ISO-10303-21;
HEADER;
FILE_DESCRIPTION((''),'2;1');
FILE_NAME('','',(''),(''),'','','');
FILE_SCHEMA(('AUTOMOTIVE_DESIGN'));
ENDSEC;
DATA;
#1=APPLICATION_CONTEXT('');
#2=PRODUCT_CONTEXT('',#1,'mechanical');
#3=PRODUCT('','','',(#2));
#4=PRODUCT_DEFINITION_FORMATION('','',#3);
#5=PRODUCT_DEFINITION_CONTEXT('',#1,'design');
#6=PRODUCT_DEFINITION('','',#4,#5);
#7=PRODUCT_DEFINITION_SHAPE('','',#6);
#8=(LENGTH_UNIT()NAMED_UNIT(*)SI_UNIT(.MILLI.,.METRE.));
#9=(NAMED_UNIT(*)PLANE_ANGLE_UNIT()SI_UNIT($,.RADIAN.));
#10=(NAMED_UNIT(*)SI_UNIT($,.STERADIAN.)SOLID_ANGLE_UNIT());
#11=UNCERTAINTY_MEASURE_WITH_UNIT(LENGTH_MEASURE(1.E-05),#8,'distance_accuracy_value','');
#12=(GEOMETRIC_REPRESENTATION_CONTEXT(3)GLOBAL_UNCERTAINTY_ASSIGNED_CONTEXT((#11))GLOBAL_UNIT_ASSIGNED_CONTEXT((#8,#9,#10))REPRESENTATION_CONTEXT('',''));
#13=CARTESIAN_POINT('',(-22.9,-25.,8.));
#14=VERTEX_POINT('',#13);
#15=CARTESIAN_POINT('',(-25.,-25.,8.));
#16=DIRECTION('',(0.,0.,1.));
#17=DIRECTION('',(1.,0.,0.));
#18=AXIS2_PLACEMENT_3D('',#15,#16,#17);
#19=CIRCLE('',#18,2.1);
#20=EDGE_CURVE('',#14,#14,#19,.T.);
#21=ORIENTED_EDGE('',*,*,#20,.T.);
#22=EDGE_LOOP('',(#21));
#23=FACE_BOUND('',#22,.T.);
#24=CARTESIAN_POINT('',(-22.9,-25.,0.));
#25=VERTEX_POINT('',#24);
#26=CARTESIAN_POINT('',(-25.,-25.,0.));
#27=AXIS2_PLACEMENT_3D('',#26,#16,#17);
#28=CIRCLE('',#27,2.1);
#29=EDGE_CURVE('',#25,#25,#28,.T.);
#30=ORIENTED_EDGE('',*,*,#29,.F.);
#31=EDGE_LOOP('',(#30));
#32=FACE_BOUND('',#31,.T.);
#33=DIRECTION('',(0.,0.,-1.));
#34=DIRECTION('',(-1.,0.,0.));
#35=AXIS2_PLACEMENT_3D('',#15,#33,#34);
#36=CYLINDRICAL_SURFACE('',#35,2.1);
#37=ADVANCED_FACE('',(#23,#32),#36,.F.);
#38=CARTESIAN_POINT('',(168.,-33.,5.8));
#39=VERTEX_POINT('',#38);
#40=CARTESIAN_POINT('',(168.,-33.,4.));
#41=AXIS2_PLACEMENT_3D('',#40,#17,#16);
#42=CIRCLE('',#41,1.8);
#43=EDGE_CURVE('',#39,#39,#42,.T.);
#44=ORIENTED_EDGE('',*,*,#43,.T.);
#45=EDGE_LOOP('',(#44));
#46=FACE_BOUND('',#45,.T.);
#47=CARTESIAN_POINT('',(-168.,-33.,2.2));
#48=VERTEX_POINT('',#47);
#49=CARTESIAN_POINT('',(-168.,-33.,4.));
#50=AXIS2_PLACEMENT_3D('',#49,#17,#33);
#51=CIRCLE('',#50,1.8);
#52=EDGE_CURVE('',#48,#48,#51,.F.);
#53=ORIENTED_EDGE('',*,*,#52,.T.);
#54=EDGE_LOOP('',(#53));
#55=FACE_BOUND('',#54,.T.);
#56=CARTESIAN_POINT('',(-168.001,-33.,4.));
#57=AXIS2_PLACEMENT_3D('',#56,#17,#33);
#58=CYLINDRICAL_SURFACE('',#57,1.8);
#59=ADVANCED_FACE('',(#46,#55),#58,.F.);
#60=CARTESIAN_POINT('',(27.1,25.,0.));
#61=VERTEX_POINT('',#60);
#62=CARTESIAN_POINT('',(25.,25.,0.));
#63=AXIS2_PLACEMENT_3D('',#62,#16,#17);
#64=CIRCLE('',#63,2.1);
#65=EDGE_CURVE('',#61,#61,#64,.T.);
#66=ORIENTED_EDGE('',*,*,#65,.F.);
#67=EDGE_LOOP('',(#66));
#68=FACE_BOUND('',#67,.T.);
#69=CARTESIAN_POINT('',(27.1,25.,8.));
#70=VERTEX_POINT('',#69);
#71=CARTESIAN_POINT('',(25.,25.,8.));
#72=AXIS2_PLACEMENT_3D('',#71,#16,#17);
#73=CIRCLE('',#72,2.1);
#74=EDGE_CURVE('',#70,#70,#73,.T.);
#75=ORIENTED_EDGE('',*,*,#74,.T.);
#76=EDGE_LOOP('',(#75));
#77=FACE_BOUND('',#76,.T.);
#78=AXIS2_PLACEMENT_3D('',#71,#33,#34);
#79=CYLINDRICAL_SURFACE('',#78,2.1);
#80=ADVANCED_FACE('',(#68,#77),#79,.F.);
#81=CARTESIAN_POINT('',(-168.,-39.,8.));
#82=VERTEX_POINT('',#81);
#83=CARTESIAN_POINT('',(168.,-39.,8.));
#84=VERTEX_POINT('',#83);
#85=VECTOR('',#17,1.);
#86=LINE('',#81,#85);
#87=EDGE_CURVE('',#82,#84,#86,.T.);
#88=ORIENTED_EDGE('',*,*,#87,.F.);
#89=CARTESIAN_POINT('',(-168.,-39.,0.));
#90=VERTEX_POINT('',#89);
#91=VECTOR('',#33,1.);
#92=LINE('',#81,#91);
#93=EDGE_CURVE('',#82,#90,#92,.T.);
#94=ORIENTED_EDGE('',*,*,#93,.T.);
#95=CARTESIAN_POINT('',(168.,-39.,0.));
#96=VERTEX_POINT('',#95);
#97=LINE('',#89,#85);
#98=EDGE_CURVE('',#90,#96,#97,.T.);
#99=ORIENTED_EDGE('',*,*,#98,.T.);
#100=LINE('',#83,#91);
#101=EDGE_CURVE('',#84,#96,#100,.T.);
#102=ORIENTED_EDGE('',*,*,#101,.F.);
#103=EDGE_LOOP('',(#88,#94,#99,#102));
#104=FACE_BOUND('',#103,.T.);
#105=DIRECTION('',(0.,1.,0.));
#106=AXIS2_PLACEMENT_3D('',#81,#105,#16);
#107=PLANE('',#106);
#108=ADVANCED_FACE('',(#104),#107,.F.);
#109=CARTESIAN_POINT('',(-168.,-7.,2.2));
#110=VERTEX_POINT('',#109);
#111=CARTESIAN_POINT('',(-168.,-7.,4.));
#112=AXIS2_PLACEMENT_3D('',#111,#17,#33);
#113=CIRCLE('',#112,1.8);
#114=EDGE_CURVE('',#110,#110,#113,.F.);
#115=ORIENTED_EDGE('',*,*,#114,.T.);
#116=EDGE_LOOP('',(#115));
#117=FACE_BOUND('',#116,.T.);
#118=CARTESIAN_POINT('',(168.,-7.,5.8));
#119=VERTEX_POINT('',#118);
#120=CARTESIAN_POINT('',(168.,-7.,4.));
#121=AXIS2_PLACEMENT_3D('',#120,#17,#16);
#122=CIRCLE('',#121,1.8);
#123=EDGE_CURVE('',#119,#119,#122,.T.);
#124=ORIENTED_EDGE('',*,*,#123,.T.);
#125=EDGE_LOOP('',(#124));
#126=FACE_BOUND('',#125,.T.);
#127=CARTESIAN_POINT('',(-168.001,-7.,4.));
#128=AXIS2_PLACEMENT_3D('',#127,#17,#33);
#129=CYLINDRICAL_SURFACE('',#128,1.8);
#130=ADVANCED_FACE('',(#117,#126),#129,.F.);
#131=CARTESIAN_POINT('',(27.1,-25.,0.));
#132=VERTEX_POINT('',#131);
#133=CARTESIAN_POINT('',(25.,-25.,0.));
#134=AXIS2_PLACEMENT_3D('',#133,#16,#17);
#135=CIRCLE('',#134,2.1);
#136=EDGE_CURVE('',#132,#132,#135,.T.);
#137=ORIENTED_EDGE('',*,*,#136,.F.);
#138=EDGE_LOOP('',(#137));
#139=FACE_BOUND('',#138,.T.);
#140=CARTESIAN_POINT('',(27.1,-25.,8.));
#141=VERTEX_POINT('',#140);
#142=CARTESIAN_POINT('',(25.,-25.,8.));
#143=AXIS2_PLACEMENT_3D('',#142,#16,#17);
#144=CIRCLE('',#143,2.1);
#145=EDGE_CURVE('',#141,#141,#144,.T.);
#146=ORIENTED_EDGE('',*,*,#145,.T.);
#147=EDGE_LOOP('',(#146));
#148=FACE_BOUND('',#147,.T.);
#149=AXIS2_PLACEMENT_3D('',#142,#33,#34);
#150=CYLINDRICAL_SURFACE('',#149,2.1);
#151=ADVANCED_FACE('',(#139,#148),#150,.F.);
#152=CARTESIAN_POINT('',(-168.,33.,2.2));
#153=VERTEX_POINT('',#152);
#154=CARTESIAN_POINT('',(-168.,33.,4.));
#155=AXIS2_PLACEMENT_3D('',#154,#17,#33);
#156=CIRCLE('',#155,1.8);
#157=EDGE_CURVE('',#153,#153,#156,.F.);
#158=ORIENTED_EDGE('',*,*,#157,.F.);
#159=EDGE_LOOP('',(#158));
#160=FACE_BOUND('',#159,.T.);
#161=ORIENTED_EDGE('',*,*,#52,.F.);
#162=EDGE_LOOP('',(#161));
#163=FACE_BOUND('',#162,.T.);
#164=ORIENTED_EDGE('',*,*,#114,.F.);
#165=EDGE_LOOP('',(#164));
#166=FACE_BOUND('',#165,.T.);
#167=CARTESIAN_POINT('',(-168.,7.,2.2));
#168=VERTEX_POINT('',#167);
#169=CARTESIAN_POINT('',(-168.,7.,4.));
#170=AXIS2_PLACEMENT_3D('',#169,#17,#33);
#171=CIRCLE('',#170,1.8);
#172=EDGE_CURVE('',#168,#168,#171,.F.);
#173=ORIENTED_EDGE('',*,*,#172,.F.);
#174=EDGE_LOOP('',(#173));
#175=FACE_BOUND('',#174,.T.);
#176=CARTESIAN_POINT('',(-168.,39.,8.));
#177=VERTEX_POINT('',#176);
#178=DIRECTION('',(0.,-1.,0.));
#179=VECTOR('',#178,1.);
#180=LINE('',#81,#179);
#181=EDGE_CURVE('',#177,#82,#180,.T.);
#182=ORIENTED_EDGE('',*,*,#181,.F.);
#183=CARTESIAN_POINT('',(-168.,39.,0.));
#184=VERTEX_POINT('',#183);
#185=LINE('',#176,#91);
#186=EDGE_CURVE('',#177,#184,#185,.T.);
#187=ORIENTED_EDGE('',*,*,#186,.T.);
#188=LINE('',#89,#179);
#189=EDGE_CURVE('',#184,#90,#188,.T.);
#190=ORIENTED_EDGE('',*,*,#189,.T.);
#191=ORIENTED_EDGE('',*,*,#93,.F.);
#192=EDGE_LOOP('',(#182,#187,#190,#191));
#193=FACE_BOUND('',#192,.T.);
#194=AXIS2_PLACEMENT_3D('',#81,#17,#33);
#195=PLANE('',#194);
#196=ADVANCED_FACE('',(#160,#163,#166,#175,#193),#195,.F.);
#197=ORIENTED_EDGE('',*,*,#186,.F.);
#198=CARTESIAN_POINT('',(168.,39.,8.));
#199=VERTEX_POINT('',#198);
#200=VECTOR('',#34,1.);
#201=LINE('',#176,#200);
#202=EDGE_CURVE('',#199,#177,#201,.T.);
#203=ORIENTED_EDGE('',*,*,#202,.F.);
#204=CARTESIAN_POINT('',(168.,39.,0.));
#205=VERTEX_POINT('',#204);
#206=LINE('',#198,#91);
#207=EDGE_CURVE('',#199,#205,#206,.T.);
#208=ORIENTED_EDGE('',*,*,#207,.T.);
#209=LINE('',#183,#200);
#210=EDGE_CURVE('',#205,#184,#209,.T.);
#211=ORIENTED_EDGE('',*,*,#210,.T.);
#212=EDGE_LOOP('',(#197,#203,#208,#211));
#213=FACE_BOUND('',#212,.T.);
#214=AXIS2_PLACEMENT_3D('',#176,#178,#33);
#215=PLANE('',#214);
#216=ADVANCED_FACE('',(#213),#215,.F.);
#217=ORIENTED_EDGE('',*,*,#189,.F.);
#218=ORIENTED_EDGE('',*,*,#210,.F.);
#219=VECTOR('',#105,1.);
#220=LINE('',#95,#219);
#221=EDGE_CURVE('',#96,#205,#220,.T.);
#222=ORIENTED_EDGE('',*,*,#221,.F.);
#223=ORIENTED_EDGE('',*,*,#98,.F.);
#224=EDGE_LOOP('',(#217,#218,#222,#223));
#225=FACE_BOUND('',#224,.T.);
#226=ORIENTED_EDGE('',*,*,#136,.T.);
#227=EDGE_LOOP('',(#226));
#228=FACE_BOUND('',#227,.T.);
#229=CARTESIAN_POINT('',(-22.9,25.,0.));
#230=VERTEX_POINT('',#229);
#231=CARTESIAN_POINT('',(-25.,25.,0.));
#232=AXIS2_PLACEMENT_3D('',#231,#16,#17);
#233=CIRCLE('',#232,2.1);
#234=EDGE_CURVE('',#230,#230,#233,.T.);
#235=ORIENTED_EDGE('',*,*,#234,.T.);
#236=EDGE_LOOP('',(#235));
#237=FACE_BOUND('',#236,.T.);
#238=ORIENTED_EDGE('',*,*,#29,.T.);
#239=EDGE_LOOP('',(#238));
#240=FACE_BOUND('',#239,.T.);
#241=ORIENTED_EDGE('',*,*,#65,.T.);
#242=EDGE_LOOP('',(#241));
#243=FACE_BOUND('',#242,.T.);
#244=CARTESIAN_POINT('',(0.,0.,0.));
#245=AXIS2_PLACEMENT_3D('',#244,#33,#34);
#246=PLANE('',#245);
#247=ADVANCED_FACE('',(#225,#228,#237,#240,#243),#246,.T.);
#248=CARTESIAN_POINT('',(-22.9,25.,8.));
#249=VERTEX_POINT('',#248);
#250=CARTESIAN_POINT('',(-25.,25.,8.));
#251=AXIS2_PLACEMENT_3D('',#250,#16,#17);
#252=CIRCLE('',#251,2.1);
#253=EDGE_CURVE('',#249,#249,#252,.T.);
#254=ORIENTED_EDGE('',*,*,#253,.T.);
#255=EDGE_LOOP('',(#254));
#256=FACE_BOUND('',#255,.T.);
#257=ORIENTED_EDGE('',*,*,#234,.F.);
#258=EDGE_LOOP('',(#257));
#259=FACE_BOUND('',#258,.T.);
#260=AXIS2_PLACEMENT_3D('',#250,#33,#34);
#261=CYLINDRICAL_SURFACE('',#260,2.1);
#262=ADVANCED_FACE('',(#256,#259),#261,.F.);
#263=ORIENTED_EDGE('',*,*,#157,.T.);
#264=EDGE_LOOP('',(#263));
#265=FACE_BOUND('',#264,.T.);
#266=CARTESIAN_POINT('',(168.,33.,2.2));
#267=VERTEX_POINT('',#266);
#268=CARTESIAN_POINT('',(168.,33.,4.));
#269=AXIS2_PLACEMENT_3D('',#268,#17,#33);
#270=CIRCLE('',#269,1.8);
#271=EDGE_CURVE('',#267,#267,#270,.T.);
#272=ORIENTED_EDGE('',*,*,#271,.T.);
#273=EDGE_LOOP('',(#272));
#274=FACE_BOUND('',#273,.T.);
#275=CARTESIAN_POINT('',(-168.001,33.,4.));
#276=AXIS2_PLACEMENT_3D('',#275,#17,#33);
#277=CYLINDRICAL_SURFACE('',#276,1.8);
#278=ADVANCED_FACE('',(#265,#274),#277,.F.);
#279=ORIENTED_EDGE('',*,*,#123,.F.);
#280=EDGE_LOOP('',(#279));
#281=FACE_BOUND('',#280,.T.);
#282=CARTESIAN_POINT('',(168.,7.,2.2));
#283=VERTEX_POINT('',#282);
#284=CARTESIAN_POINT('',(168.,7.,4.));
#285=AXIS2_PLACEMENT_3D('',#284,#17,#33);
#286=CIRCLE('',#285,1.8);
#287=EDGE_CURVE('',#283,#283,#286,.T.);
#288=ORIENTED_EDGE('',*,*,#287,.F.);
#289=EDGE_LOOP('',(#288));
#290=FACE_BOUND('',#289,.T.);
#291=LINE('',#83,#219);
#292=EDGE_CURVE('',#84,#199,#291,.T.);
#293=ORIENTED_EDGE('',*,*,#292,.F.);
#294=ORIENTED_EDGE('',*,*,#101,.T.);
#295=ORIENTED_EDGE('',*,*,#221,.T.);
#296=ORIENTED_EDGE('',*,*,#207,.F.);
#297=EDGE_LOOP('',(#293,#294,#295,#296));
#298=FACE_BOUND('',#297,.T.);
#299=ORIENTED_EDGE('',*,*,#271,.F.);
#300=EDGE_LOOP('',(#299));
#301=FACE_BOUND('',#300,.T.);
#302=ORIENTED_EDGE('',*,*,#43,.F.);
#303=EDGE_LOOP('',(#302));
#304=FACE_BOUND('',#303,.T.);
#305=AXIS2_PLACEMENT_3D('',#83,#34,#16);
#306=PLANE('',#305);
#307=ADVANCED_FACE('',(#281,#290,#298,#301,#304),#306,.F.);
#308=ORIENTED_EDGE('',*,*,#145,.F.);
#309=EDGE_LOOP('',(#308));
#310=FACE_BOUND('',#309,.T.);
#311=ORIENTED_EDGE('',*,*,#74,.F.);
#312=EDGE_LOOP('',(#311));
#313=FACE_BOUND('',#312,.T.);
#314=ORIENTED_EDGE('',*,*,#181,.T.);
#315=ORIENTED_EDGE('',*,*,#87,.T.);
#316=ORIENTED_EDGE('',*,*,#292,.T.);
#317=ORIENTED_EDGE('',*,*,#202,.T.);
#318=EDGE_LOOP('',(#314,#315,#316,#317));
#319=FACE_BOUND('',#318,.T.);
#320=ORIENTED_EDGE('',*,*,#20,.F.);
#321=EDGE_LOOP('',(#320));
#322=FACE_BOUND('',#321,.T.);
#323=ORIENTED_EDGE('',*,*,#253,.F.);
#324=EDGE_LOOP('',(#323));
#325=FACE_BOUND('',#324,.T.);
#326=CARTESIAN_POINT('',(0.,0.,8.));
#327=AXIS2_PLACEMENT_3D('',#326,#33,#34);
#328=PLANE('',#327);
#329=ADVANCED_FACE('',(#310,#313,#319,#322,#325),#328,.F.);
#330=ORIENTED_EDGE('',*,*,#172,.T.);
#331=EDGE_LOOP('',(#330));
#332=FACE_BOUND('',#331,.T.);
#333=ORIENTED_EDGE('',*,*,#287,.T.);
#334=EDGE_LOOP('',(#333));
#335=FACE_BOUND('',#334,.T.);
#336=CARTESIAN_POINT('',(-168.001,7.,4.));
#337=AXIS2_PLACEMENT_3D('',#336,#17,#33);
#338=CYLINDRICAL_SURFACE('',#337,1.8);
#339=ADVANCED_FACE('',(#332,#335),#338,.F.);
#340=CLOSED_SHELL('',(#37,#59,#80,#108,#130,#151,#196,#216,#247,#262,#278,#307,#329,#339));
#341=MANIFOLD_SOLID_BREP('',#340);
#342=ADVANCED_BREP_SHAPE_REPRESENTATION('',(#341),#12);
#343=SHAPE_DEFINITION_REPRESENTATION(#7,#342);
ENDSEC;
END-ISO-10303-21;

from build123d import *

# Parameters (mm, degrees)
SKETCH1_W           = 336
SKETCH1_H           = 78
SKETCH1_R           = 2.1
BOSS_EXTRUDE1_DEPTH = 8
CUT_EXTRUDE1_REACH  = 338
SKETCH2_R           = 1.8


with BuildPart() as part:
    # Sketch1 → Boss-Extrude1 (new body)
    with BuildSketch(Plane.XY):
        Rectangle(SKETCH1_W, SKETCH1_H)
        with Locations((-25, 25)):
            Circle(SKETCH1_R, mode=Mode.SUBTRACT)
        with Locations((25, 25)):
            Circle(SKETCH1_R, mode=Mode.SUBTRACT)
        with Locations((25, -25)):
            Circle(SKETCH1_R, mode=Mode.SUBTRACT)
        with Locations((-25, -25)):
            Circle(SKETCH1_R, mode=Mode.SUBTRACT)
    extrude(amount=BOSS_EXTRUDE1_DEPTH)

    # Sketch2 → Cut-Extrude1 (cut, up to next)
    with BuildSketch(Plane(origin=(168, 0, 0), x_dir=(0, 0, -1), z_dir=(1, 0, 0)), mode=Mode.PRIVATE) as cut_extrude1_sk1:
        with Locations((-4, 33)):
            Circle(SKETCH2_R)
    cut_extrude1_tool1 = extrude(cut_extrude1_sk1.sketch, amount=-CUT_EXTRUDE1_REACH, mode=Mode.PRIVATE) & part.part
    add(cut_extrude1_tool1.solids().sort_by_distance((168, 33, 4))[0], mode=Mode.SUBTRACT)
    # Sketch2 → Cut-Extrude1 (cut, up to next)
    with BuildSketch(Plane(origin=(168, 0, 0), x_dir=(0, 0, -1), z_dir=(1, 0, 0)), mode=Mode.PRIVATE) as cut_extrude1_sk2:
        with Locations((-4, 7)):
            Circle(SKETCH2_R)
    cut_extrude1_tool2 = extrude(cut_extrude1_sk2.sketch, amount=-CUT_EXTRUDE1_REACH, mode=Mode.PRIVATE) & part.part
    add(cut_extrude1_tool2.solids().sort_by_distance((168, 7, 4))[0], mode=Mode.SUBTRACT)
    # Sketch2 → Cut-Extrude1 (cut, up to next)
    with BuildSketch(Plane(origin=(168, 0, 0), x_dir=(0, 0, -1), z_dir=(1, 0, 0)), mode=Mode.PRIVATE) as cut_extrude1_sk3:
        with Locations((-4, -7)):
            Circle(SKETCH2_R)
    cut_extrude1_tool3 = extrude(cut_extrude1_sk3.sketch, amount=-CUT_EXTRUDE1_REACH, mode=Mode.PRIVATE) & part.part
    add(cut_extrude1_tool3.solids().sort_by_distance((168, -7, 4))[0], mode=Mode.SUBTRACT)
    # Sketch2 → Cut-Extrude1 (cut, up to next)
    with BuildSketch(Plane(origin=(168, 0, 0), x_dir=(0, 0, -1), z_dir=(1, 0, 0)), mode=Mode.PRIVATE) as cut_extrude1_sk4:
        with Locations((-4, -33)):
            Circle(SKETCH2_R)
    cut_extrude1_tool4 = extrude(cut_extrude1_sk4.sketch, amount=-CUT_EXTRUDE1_REACH, mode=Mode.PRIVATE) & part.part
    add(cut_extrude1_tool4.solids().sort_by_distance((168, -33, 4))[0], mode=Mode.SUBTRACT)


solid = part.part
